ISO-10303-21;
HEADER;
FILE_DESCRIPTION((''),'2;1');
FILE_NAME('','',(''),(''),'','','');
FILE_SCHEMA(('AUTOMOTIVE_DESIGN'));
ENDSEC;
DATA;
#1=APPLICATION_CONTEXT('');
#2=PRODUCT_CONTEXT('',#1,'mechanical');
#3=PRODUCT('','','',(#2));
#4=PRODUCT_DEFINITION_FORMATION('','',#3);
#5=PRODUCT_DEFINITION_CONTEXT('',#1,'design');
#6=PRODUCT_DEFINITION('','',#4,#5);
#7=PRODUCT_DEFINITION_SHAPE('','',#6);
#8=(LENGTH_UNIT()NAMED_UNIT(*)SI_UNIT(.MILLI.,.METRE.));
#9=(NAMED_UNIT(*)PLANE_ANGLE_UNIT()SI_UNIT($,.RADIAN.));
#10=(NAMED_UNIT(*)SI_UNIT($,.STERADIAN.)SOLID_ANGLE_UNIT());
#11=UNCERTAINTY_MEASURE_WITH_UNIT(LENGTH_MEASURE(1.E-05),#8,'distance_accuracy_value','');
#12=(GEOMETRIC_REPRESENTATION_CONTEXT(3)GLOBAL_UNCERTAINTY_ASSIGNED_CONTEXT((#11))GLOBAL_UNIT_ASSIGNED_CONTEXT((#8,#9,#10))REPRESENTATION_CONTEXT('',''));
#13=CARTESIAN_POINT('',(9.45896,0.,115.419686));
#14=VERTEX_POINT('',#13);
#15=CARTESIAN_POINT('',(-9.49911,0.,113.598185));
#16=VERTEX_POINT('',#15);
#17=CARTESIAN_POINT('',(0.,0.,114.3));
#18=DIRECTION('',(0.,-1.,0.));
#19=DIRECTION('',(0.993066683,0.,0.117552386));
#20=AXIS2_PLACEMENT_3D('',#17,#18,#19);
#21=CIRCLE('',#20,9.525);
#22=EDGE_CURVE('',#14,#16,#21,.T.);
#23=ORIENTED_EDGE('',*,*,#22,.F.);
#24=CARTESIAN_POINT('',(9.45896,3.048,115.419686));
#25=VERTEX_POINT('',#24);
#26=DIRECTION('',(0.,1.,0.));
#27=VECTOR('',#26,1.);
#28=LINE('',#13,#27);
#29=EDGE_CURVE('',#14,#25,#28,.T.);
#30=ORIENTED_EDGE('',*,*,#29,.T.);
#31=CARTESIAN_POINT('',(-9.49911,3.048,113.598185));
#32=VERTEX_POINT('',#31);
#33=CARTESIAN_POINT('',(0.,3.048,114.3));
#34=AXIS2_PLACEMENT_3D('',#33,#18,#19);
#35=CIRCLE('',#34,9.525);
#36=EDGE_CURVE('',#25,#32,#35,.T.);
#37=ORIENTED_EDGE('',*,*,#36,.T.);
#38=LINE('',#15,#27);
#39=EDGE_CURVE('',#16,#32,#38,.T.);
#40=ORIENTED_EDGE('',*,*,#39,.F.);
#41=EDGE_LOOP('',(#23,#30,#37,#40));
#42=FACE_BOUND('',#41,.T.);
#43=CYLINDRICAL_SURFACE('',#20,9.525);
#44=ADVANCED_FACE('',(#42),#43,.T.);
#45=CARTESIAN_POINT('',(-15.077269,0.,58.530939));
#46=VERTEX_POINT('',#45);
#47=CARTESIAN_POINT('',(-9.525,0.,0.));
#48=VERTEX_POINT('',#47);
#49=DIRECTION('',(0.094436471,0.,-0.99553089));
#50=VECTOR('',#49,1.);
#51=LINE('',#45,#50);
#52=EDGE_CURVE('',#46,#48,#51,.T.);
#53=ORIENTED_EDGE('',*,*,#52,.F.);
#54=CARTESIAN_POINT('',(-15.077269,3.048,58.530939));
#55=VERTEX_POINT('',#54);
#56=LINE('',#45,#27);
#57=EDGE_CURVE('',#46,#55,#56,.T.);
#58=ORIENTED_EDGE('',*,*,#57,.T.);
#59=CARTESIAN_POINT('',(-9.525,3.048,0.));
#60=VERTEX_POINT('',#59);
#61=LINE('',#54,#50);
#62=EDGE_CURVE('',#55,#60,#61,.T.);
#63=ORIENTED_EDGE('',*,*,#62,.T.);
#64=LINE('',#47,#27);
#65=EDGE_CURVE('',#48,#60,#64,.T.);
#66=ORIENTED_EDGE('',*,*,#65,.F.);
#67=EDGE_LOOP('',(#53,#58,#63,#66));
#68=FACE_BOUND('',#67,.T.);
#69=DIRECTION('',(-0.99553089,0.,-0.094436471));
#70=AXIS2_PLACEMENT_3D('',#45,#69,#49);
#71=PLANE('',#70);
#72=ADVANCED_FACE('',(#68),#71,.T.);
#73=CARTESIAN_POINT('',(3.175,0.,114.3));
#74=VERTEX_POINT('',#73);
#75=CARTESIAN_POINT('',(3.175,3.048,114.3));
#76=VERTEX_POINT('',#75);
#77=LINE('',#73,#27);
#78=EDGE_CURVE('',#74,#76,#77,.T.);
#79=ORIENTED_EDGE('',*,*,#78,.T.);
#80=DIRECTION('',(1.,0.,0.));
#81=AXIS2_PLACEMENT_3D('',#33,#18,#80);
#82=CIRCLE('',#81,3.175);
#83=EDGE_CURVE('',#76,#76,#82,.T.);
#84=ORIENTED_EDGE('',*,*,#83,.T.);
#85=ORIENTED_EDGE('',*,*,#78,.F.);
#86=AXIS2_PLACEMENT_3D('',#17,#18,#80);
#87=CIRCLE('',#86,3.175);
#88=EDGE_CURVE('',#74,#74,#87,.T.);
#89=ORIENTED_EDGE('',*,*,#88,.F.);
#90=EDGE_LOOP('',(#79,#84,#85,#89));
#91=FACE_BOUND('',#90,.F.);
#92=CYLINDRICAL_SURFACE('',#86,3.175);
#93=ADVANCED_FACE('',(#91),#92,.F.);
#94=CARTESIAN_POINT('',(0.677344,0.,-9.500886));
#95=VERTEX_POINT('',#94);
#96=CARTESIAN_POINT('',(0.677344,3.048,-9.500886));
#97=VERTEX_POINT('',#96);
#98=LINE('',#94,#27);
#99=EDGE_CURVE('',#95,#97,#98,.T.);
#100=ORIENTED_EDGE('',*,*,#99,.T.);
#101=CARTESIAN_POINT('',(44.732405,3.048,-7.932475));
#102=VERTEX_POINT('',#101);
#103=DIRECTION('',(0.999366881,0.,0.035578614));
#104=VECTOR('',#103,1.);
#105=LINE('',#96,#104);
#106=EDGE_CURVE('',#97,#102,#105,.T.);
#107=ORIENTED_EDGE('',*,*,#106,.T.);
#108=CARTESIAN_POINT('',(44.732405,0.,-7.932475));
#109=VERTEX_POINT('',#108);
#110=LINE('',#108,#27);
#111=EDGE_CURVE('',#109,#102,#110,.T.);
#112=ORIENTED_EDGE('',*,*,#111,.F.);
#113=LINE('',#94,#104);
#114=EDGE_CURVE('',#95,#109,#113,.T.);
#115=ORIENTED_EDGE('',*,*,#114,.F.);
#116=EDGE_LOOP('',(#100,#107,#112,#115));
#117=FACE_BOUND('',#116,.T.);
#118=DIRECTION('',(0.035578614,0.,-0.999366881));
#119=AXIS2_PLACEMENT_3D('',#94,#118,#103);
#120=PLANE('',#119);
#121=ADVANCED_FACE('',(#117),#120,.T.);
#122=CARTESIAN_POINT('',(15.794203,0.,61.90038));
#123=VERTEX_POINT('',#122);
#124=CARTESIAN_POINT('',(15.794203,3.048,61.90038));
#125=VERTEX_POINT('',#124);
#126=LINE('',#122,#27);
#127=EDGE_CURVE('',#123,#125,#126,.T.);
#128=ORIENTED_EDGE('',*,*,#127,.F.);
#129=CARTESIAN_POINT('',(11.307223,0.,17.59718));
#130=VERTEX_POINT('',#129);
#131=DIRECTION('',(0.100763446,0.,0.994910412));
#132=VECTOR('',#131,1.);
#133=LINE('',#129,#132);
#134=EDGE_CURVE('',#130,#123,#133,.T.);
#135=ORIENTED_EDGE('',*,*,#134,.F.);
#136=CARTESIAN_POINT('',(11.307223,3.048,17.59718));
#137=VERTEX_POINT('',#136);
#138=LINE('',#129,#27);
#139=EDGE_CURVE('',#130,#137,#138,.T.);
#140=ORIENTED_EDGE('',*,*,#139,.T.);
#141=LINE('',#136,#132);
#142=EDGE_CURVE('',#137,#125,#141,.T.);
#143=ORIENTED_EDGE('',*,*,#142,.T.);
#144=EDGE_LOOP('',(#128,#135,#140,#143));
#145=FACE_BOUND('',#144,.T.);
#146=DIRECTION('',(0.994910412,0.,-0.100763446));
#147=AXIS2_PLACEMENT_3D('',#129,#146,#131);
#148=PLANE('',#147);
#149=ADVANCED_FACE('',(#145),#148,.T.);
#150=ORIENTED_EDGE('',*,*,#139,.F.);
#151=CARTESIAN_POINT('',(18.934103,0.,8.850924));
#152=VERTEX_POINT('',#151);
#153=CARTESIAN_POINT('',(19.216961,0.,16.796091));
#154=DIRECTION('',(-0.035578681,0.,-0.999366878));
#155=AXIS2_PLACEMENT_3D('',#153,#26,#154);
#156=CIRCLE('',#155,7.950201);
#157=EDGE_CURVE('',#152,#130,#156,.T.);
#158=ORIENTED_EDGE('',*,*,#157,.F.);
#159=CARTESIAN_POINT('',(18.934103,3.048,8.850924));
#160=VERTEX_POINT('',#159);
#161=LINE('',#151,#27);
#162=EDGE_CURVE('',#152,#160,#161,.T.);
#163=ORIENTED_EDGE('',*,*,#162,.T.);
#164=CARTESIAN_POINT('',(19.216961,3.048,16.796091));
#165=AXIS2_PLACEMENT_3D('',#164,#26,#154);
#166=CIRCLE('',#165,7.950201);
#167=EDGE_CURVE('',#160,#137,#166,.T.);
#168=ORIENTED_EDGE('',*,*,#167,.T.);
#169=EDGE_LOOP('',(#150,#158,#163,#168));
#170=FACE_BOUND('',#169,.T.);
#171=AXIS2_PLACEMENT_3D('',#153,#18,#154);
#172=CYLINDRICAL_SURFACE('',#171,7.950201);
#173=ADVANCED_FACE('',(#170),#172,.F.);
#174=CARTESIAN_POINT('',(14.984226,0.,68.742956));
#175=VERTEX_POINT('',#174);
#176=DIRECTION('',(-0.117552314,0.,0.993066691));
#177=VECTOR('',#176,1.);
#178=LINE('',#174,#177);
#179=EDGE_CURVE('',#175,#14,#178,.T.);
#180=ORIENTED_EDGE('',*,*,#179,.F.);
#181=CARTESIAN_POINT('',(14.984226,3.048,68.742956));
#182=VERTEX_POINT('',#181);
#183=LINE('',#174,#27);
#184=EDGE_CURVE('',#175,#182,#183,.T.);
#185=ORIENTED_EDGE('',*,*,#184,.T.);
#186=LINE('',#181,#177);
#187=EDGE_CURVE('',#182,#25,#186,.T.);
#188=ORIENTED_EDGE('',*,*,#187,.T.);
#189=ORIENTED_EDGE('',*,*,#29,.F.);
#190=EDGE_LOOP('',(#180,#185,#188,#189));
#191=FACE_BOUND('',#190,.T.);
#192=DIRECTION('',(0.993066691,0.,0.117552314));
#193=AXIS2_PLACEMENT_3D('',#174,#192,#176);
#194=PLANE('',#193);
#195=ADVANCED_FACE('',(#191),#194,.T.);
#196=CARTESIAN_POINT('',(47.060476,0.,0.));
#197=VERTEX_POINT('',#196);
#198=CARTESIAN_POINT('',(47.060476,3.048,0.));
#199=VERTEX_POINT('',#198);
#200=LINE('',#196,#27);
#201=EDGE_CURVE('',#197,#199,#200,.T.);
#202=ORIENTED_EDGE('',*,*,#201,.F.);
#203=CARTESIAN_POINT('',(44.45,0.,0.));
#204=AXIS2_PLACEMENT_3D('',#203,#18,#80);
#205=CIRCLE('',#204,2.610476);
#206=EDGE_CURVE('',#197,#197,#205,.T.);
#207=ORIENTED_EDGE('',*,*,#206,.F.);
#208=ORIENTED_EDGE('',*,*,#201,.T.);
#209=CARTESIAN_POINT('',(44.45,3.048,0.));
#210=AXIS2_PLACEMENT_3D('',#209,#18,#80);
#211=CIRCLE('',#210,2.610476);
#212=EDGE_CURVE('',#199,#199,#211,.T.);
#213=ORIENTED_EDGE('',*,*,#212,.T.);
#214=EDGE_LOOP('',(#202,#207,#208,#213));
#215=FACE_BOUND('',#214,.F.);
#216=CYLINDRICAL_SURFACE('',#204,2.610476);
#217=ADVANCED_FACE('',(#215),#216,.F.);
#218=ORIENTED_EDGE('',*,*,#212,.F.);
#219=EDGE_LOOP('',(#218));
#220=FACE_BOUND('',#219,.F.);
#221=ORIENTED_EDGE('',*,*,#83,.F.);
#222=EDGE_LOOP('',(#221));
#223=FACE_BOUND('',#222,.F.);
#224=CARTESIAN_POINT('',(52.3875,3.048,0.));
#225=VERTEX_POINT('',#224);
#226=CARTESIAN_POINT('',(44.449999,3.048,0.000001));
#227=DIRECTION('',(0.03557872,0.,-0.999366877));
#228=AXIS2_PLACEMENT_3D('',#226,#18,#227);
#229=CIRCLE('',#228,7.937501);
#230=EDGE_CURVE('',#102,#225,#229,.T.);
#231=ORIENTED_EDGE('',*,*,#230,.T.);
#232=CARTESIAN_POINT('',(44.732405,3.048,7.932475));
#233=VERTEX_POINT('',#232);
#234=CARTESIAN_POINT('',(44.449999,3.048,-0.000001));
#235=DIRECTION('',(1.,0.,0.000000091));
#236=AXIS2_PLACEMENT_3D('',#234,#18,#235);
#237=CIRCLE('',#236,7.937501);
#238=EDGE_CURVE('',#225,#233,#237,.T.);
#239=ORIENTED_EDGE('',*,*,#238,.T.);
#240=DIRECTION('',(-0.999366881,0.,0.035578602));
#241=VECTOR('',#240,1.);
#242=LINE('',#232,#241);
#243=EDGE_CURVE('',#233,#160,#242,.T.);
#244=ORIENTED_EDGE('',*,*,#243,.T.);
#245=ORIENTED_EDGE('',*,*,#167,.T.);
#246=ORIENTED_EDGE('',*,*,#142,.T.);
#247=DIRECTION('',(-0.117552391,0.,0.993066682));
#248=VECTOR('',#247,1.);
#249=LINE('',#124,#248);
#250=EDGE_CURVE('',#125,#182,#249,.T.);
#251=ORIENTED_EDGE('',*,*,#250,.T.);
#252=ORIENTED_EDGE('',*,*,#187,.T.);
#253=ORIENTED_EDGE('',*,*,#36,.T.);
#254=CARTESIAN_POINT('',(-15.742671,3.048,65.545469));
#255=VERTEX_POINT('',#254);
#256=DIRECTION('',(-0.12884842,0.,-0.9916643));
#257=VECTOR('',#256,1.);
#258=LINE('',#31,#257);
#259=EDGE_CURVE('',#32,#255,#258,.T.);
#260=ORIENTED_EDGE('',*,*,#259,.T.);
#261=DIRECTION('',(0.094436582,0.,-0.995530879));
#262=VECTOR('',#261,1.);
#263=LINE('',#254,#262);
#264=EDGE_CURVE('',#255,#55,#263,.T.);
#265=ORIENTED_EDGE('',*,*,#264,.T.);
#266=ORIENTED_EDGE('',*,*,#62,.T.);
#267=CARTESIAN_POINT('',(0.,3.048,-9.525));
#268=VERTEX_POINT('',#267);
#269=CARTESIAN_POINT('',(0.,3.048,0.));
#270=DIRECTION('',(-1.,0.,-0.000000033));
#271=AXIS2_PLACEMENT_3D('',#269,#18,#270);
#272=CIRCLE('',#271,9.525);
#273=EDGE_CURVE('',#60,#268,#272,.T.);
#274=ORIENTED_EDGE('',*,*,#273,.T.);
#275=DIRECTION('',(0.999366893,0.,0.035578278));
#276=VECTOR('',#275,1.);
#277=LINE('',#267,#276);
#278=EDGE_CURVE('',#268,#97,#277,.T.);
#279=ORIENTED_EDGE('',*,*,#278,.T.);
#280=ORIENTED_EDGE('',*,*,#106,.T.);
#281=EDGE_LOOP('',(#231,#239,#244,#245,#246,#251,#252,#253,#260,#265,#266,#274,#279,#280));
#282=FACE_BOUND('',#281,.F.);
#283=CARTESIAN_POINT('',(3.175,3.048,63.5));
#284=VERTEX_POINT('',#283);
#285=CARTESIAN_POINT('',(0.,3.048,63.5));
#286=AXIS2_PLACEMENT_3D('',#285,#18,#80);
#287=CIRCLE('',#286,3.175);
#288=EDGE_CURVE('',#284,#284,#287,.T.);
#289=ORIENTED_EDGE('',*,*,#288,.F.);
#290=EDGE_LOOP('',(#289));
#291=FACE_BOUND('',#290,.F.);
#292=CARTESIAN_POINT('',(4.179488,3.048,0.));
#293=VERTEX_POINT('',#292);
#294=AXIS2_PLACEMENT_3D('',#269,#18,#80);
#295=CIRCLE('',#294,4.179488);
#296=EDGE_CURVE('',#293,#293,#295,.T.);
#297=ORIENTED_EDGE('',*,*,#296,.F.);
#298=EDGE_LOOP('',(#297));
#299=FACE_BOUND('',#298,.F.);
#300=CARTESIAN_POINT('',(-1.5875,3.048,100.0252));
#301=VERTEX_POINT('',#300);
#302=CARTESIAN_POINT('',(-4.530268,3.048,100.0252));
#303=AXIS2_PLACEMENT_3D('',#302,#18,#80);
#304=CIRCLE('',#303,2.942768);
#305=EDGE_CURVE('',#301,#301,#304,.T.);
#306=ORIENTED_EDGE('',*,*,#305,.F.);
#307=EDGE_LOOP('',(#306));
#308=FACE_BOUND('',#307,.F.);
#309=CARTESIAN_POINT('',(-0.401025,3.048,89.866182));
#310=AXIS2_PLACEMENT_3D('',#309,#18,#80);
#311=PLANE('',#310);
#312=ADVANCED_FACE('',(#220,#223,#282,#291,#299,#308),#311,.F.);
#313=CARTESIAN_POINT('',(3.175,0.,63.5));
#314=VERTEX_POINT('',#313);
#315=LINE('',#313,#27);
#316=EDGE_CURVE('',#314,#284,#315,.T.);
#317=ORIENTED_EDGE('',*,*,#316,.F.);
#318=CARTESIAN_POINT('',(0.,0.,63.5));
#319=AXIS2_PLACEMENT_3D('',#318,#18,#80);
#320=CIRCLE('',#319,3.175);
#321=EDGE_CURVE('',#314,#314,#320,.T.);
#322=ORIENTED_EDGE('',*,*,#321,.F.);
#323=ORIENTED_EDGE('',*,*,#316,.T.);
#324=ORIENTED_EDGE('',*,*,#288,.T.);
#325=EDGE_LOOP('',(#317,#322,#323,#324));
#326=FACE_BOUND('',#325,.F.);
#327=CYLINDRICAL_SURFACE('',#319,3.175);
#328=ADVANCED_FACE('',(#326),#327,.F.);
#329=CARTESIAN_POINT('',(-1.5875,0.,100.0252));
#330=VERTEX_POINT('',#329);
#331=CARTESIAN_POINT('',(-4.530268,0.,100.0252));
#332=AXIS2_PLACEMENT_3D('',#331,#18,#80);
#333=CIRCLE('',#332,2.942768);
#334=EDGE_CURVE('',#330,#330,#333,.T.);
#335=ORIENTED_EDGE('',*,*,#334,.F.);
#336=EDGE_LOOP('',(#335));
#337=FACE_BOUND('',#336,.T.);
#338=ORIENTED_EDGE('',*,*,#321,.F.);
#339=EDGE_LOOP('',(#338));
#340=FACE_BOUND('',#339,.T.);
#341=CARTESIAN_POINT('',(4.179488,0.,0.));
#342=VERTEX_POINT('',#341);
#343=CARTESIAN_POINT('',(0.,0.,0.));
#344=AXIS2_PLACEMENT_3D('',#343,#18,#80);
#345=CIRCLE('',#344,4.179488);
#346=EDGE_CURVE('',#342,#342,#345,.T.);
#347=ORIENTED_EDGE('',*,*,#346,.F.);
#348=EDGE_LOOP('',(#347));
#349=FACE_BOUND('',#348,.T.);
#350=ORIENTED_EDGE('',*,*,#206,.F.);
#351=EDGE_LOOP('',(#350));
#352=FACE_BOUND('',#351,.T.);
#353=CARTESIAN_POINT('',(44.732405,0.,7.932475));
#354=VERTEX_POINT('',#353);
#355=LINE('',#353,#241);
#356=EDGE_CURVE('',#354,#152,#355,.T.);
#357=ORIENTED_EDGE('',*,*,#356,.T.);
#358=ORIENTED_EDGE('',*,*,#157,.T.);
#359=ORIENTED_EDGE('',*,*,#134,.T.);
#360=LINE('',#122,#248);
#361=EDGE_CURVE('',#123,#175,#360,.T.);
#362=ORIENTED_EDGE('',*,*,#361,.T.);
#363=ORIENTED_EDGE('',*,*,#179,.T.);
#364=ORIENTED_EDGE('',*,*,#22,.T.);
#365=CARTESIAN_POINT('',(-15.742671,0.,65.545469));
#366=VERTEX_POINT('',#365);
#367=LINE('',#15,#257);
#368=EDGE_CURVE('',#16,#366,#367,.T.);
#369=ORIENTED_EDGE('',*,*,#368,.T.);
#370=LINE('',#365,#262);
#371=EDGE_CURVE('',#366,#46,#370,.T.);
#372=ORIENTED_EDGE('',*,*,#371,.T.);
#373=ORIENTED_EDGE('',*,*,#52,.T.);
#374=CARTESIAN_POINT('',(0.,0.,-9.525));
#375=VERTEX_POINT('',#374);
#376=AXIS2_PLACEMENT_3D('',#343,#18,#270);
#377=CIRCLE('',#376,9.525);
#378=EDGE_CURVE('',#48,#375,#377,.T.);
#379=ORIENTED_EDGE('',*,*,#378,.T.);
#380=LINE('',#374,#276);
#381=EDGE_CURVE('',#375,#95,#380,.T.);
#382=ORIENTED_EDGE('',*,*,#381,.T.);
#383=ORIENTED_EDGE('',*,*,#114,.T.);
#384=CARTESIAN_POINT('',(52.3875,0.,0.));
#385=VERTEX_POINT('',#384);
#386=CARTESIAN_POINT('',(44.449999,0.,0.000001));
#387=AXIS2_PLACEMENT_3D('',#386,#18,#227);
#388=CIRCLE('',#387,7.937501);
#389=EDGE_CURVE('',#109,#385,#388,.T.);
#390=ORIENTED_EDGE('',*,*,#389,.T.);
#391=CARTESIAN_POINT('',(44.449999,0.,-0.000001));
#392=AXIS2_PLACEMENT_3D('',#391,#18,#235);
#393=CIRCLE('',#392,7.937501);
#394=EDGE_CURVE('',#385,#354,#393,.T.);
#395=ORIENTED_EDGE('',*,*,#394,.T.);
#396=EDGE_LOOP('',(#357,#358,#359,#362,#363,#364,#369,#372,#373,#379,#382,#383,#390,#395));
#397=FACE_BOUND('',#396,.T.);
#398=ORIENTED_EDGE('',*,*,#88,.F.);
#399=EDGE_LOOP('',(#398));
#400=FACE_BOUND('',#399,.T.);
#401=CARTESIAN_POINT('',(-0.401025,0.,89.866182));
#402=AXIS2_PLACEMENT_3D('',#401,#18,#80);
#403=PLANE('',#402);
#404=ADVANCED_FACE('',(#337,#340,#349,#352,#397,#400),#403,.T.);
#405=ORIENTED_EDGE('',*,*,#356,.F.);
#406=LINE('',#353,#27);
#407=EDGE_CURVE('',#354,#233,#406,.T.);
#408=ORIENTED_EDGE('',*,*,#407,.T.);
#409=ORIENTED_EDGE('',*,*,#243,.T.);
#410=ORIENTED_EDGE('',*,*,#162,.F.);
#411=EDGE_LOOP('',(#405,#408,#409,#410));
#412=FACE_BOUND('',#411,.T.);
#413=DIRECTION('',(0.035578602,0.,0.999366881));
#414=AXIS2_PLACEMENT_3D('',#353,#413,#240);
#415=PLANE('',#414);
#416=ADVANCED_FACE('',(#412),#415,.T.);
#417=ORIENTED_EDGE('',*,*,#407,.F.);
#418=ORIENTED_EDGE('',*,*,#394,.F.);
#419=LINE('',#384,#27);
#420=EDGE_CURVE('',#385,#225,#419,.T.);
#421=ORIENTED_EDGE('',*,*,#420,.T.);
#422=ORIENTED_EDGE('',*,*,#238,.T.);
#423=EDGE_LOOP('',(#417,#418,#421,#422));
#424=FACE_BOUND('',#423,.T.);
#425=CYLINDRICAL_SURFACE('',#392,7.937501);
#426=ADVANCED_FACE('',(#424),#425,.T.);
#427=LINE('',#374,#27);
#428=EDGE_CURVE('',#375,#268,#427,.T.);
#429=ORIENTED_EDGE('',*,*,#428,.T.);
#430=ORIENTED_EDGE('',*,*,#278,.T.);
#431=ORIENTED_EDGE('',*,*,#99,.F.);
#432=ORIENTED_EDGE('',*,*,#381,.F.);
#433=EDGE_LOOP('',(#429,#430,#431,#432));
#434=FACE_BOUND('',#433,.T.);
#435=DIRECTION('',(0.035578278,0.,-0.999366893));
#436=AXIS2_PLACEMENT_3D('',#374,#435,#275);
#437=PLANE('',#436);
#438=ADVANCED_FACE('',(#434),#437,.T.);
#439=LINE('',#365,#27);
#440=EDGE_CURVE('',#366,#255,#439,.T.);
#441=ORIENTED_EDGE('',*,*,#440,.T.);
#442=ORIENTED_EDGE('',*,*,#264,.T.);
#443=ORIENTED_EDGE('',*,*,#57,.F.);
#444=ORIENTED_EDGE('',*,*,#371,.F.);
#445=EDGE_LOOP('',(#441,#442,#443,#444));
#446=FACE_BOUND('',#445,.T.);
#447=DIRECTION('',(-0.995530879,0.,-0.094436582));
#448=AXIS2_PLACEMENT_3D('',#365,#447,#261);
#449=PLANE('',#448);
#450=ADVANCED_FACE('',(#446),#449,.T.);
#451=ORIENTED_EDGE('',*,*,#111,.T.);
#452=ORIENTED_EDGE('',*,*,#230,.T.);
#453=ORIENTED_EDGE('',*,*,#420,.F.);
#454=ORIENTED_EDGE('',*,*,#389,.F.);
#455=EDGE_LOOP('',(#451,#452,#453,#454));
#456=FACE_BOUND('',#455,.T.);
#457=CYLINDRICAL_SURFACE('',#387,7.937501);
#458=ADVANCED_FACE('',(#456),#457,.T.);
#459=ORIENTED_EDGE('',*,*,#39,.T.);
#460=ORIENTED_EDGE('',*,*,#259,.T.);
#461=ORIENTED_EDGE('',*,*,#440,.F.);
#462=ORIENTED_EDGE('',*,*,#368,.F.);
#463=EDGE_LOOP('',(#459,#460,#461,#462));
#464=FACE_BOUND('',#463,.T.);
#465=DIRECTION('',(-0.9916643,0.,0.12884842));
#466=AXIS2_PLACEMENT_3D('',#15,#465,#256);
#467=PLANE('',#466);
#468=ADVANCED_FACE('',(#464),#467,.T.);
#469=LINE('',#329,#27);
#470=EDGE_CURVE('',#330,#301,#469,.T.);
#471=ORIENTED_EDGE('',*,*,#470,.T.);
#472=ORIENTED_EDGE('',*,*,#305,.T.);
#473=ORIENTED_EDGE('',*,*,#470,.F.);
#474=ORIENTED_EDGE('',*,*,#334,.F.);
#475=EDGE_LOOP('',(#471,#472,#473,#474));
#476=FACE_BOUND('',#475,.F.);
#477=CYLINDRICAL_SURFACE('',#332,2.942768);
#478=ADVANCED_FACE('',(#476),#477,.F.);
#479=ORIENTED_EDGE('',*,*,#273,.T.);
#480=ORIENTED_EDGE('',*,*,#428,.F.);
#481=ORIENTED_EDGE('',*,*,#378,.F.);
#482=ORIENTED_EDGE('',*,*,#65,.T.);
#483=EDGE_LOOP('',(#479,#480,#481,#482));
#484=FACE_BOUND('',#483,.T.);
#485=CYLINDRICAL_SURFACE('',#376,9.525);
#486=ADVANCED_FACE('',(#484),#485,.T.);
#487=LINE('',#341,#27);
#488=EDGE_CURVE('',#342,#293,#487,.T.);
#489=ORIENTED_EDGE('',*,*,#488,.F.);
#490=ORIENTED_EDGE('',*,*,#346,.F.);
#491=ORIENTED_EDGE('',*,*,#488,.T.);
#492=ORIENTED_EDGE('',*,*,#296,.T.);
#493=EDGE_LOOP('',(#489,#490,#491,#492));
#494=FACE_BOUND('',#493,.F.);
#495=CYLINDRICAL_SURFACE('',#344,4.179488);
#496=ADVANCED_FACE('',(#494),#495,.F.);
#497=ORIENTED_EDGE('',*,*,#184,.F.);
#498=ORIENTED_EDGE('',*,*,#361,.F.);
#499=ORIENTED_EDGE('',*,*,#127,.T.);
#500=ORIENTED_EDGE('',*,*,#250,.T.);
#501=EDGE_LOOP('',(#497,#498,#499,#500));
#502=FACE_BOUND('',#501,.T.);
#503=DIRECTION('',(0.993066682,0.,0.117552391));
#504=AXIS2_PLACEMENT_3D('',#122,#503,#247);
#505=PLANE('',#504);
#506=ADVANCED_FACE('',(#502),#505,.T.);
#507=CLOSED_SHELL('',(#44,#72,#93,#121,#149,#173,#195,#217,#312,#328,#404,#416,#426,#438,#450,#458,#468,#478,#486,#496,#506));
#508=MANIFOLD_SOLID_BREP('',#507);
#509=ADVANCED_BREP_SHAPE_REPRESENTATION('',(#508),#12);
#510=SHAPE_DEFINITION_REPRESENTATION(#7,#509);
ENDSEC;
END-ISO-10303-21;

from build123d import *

# Parameters (mm, degrees)
F0_R     = 2.942768
F0_R_2   = 3.175
F0_R_3   = 2.610476
F0_R_4   = 4.179488
F1_DEPTH = 3.048


with BuildPart() as f1:
    # F0 (on Front) → F1 (new body)
    with BuildSketch(Plane.XZ):
        with BuildLine():
            ThreePointArc((9.45896, 115.419686), (9.508476, 114.860816), (9.525, 114.3))
            ThreePointArc((9.525, 114.3), (0.351146, 104.781475), (-9.49911, 113.598185))
            Line((-9.49911, 113.598185), (-15.742671, 65.545469))
            ThreePointArc((-15.742671, 65.545469), (-1.643104, 79.289738), (14.984226, 68.742956))
            Line((14.984226, 68.742956), (9.45896, 115.419686))
        make_face()
        with Locations((-4.530268, 100.0252)):
            Circle(F0_R, mode=Mode.SUBTRACT)
        with BuildLine():
            Line((15.794203, 61.90038), (14.984226, 68.742956))
            ThreePointArc((14.984226, 68.742956), (-1.643104, 79.289738), (-15.742671, 65.545469))
            Line((-15.742671, 65.545469), (-15.077269, 58.530939))
            ThreePointArc((-15.077269, 58.530939), (1.722435, 47.718719), (15.794203, 61.90038))
        make_face()
        with Locations((0, 63.5)):
            Circle(F0_R_2, mode=Mode.SUBTRACT)
        with BuildLine():
            Line((11.307223, 17.59718), (15.794203, 61.90038))
            ThreePointArc((15.794203, 61.90038), (1.722435, 47.718719), (-15.077269, 58.530939))
            Line((-15.077269, 58.530939), (-9.525, 0))
            ThreePointArc((-9.525, 0), (0, 9.525), (9.525, 0))
            ThreePointArc((9.525, 0), (6.970557, -6.491299), (0.677344, -9.500886))
            Line((0.677344, -9.500886), (44.732405, -7.932475))
            ThreePointArc((44.732405, -7.932475), (36.5125, 0), (44.732405, 7.932475))
            Line((44.732405, 7.932475), (18.934103, 8.850924))
            ThreePointArc((18.934103, 8.850924), (13.224974, 11.57098), (11.307223, 17.59718))
        make_face()
        with BuildLine():
            ThreePointArc((52.3875, 0), (50.161633, 5.51191), (44.732405, 7.932475))
            ThreePointArc((44.732405, 7.932475), (36.5125, 0), (44.732405, -7.932475))
            ThreePointArc((44.732405, -7.932475), (50.161633, -5.51191), (52.3875, 0))
        make_face()
        with Locations((44.45, 0)):
            Circle(F0_R_3, mode=Mode.SUBTRACT)
        with BuildLine():
            ThreePointArc((9.525, 0), (0, 9.525), (-9.525, 0))
            ThreePointArc((-9.525, 0), (-6.735192, -6.735192), (0, -9.525))
            Line((0, -9.525), (0.677344, -9.500886))
            ThreePointArc((0.677344, -9.500886), (6.970557, -6.491299), (9.525, 0))
        make_face()
        Circle(F0_R_4, mode=Mode.SUBTRACT)
        with BuildLine():
            ThreePointArc((-9.49911, 113.598185), (0.351146, 104.781475), (9.525, 114.3))
            ThreePointArc((9.525, 114.3), (9.508476, 114.860816), (9.45896, 115.419686))
            ThreePointArc((9.45896, 115.419686), (-0.910971, 123.781337), (-9.49911, 113.598185))
        make_face()
        with Locations((0, 114.3)):
            Circle(F0_R_2, mode=Mode.SUBTRACT)
    extrude(amount=-F1_DEPTH)


solid = f1.part
